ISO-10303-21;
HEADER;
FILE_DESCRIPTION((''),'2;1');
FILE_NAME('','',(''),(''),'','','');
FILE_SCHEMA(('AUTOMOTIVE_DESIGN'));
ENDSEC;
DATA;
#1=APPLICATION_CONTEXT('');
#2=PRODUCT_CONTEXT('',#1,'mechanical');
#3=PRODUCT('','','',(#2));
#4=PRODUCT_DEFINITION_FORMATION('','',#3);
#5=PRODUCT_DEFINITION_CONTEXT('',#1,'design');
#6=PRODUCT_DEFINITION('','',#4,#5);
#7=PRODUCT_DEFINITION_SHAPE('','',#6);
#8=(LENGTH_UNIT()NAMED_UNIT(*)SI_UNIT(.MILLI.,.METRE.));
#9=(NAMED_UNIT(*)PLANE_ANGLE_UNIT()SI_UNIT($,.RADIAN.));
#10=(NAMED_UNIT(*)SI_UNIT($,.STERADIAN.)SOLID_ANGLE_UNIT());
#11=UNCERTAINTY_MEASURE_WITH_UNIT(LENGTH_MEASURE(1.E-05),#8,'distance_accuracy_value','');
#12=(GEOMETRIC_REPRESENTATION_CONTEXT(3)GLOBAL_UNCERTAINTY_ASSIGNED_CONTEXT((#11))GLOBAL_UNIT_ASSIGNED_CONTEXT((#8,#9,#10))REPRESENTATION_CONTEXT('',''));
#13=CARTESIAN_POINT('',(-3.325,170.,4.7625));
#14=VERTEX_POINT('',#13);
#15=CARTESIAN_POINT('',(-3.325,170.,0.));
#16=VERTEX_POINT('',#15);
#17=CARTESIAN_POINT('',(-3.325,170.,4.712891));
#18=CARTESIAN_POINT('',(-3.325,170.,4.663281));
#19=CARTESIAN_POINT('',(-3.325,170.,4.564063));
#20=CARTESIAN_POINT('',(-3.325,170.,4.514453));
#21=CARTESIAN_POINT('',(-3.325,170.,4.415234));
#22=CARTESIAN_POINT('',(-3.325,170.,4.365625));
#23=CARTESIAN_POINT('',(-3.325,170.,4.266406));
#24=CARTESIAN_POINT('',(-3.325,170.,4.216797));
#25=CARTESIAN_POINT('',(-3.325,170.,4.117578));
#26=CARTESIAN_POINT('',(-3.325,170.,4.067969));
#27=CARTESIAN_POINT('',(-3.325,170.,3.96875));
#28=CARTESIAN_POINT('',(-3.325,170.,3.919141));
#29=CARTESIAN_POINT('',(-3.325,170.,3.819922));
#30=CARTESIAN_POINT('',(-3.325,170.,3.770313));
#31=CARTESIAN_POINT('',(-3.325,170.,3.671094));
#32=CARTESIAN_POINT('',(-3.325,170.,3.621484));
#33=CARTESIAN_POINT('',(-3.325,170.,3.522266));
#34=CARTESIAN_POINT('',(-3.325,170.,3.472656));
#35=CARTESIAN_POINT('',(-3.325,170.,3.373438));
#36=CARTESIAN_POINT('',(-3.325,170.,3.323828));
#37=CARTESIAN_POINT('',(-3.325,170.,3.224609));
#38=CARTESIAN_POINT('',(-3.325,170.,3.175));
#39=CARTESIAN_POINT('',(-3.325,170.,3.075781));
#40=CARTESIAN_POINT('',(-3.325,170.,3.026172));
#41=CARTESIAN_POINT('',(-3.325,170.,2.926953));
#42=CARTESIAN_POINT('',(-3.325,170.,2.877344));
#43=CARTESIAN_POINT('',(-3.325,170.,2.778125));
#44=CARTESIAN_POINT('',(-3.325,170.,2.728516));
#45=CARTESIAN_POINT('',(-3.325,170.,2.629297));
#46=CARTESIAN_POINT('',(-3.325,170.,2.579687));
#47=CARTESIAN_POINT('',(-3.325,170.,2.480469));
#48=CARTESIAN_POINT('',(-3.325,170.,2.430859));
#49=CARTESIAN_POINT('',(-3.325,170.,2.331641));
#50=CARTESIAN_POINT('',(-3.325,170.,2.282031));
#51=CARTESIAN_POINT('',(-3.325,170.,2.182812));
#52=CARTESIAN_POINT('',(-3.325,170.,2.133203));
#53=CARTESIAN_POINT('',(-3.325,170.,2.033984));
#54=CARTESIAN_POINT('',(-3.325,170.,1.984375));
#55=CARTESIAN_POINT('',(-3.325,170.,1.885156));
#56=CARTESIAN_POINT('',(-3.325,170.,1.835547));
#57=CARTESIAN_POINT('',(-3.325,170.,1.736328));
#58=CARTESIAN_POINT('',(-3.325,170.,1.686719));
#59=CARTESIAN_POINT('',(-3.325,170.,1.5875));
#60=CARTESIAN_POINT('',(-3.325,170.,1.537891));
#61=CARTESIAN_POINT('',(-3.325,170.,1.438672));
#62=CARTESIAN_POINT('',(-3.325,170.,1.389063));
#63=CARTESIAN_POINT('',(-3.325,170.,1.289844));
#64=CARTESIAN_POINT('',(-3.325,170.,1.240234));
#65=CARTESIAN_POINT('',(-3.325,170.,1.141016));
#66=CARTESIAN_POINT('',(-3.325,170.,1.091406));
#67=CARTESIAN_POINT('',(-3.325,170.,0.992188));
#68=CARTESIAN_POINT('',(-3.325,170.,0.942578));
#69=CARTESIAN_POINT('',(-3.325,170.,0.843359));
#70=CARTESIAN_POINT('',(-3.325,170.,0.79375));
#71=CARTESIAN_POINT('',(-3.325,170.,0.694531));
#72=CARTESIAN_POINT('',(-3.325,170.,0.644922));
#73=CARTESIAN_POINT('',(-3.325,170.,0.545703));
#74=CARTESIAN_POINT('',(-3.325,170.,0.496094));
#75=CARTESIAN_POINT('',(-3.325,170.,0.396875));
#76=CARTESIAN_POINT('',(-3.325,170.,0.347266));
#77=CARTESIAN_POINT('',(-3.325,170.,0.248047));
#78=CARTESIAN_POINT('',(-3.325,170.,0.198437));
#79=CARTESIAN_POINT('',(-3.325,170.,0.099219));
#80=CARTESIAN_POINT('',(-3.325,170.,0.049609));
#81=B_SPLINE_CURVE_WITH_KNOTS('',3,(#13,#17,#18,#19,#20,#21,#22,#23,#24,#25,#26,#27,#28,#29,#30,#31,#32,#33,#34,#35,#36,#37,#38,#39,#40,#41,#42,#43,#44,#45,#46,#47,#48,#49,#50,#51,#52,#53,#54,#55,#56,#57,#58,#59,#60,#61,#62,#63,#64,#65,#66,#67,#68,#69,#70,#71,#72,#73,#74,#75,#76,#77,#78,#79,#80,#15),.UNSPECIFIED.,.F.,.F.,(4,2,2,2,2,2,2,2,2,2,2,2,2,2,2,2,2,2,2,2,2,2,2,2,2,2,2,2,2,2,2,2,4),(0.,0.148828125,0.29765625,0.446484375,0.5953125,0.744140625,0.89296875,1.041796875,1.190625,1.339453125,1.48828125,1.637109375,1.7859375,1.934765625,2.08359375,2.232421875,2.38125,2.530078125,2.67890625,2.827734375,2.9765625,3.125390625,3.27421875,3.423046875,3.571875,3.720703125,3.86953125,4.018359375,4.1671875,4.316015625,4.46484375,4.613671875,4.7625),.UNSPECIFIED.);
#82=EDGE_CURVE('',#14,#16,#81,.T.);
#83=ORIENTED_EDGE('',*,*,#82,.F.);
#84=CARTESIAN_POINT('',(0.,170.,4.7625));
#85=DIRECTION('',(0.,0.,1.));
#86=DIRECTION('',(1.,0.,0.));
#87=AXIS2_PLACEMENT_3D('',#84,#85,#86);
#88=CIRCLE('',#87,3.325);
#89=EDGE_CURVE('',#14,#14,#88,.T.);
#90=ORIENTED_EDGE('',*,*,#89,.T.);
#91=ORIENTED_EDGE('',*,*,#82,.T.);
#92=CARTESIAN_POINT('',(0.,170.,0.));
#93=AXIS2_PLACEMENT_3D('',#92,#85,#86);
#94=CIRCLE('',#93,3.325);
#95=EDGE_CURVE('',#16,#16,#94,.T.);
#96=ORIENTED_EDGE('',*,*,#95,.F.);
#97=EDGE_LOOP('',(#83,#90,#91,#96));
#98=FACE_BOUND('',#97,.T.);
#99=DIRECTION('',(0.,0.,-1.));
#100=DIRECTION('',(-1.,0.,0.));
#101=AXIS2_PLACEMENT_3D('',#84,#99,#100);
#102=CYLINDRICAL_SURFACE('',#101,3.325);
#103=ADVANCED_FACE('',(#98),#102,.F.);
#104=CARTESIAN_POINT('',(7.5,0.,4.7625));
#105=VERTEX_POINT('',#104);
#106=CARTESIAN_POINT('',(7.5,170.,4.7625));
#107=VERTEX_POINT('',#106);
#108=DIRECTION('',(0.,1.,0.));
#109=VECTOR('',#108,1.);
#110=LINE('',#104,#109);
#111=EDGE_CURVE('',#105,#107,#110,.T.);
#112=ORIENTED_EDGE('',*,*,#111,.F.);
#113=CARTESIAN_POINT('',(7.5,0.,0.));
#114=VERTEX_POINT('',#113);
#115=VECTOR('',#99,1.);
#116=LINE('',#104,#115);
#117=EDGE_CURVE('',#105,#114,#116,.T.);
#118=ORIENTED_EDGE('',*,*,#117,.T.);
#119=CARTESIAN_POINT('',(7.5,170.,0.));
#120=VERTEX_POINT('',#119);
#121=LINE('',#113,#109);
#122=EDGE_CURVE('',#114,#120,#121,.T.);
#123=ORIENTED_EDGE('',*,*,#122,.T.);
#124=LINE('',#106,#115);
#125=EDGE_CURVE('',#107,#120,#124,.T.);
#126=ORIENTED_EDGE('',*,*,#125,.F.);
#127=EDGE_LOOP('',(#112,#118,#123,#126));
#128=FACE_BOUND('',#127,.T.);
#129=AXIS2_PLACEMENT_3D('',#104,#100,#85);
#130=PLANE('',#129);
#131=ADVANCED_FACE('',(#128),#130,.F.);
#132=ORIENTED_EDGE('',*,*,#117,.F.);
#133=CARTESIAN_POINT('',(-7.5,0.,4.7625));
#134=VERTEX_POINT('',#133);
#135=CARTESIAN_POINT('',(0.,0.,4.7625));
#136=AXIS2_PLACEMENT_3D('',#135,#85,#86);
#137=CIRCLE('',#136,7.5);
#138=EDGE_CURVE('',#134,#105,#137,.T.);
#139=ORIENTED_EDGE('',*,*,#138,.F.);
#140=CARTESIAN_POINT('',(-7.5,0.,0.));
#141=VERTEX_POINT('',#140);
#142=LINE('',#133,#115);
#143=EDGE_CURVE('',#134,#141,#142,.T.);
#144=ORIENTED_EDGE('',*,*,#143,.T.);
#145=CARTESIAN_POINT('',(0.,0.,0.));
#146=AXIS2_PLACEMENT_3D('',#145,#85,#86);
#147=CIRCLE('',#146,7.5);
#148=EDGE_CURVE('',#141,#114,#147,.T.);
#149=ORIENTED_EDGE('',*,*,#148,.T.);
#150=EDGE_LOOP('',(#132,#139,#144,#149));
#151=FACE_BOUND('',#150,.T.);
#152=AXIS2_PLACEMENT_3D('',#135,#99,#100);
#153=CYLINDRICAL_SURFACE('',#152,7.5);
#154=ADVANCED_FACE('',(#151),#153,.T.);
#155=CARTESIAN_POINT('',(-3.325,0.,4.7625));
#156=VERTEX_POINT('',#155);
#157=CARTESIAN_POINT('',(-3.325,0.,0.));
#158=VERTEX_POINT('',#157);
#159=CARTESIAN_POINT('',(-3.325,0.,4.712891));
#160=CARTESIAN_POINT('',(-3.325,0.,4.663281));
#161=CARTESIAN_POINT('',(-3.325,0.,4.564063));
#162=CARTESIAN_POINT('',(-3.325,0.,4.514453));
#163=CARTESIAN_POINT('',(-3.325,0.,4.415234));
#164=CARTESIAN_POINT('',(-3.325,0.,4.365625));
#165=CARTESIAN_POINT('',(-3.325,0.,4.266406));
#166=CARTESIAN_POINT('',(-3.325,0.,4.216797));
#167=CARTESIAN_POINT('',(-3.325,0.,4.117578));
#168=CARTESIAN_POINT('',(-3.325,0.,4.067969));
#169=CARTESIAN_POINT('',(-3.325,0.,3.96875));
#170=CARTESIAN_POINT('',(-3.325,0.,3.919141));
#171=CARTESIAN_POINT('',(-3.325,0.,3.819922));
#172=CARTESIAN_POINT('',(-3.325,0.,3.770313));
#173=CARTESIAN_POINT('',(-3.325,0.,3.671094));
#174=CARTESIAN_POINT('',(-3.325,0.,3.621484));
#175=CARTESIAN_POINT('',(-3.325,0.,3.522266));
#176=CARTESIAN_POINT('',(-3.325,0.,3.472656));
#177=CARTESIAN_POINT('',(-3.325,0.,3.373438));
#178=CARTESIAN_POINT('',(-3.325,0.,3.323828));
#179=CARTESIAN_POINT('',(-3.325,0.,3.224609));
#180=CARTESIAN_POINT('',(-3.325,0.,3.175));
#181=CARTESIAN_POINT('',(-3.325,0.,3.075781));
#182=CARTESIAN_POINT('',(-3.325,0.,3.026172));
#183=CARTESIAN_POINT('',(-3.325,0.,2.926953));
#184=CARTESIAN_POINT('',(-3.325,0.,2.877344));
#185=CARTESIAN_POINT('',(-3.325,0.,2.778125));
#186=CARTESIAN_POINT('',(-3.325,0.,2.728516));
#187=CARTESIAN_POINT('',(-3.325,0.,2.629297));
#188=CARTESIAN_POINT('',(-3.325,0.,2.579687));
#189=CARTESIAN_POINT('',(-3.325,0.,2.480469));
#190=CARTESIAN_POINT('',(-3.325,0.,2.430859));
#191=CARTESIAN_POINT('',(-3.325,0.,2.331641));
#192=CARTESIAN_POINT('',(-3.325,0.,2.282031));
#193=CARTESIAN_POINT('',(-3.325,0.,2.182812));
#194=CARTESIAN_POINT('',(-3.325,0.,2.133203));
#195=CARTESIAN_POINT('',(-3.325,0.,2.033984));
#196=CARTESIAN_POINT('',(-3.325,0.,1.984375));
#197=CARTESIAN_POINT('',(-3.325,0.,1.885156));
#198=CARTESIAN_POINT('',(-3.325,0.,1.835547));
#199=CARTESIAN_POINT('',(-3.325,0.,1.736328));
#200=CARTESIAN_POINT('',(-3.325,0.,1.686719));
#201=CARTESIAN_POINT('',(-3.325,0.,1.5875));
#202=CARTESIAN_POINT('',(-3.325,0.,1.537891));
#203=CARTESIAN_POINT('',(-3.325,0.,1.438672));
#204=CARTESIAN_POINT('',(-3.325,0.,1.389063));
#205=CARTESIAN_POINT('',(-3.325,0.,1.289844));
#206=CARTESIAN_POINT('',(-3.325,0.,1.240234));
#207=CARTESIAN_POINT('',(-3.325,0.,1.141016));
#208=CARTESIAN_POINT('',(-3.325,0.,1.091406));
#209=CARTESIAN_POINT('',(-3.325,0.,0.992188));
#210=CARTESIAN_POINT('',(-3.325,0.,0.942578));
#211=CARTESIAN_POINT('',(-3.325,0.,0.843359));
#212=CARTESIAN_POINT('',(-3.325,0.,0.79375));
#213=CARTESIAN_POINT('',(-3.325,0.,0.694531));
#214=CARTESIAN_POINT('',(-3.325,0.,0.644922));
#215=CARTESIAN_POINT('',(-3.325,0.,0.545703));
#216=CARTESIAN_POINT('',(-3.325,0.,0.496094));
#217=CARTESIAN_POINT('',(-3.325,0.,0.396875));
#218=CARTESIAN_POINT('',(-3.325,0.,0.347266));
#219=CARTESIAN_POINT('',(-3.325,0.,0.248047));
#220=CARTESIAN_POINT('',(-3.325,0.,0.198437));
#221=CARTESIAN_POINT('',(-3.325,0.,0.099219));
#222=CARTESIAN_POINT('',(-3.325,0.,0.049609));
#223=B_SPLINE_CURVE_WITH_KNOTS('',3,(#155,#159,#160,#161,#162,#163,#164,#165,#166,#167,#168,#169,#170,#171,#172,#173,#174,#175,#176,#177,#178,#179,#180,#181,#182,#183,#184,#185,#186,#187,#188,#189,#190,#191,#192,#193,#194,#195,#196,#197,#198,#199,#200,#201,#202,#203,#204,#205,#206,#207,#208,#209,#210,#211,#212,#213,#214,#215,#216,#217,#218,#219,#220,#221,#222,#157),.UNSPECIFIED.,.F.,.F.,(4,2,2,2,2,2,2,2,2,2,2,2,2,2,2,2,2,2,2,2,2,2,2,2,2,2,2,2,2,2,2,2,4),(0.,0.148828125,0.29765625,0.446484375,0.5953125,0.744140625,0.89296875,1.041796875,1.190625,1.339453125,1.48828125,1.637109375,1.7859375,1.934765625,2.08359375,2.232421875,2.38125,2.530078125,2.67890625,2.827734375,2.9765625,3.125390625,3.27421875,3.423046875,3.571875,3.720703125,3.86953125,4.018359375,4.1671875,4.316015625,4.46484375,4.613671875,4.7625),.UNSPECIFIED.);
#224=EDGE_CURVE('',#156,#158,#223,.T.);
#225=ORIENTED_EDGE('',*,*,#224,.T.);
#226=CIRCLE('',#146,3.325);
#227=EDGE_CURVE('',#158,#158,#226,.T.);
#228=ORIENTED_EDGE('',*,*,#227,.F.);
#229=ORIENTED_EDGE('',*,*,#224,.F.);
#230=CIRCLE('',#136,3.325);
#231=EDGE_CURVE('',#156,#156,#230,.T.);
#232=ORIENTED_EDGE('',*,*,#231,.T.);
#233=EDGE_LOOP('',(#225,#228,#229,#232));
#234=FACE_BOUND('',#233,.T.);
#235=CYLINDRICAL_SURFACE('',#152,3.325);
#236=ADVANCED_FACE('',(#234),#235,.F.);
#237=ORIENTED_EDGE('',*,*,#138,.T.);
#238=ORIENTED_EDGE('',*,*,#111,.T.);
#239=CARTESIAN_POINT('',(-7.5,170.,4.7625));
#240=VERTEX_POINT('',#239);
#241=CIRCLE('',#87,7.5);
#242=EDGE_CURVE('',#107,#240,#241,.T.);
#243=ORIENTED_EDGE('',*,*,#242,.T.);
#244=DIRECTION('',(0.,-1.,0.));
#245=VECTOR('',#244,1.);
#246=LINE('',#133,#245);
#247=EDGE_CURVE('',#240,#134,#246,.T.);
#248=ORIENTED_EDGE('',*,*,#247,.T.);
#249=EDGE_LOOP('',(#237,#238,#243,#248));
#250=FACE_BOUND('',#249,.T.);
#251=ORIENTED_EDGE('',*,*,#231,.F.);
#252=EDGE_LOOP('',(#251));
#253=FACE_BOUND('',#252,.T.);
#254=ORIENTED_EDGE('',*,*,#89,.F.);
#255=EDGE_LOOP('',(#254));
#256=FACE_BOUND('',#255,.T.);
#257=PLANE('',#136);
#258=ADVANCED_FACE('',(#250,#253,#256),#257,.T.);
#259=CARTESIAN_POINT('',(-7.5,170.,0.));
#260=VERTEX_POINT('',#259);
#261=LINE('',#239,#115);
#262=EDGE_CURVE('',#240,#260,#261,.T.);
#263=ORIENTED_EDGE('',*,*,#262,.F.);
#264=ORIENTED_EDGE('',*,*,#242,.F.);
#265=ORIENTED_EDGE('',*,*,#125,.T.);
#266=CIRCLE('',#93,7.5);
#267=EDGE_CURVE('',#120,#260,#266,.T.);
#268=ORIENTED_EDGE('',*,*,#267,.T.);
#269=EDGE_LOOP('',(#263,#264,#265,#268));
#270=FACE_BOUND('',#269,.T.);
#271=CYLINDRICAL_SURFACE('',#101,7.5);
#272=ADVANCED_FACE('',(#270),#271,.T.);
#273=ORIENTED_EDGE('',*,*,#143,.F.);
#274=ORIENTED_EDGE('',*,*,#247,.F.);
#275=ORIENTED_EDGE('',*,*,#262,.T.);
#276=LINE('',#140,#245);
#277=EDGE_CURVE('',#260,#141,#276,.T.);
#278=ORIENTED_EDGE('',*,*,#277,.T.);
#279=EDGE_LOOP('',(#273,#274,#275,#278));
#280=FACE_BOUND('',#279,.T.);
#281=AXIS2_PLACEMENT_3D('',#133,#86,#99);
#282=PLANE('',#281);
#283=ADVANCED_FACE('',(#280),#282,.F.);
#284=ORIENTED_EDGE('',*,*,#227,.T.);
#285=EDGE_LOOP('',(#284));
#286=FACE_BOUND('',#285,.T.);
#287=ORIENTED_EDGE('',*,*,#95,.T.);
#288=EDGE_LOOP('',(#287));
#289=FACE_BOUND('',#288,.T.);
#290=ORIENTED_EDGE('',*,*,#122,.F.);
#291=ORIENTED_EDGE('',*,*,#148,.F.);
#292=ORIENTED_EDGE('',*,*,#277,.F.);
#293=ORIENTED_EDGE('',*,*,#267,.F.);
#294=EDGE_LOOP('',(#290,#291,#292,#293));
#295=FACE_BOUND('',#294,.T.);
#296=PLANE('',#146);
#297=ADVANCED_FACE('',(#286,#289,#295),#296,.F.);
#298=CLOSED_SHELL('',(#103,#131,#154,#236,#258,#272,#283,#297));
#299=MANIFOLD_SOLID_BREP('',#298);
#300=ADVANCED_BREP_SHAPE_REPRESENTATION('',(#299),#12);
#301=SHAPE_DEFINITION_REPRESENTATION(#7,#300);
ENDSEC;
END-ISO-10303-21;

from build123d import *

# Parameters (mm, degrees)
ESBO_O1_R                = 3.325
RESSALTO_EXTRUS_O1_DEPTH = 4.7625


with BuildPart() as part:
    # Esboço1 → Ressalto-extrusão1 (new body)
    with BuildSketch(Plane.XY):
        with BuildLine():
            Line((-7.5, 0), (-7.5, 170))
            ThreePointArc((-7.5, 170), (0, 177.5), (7.5, 170))
            Line((7.5, 170), (7.5, 0))
            ThreePointArc((7.5, 0), (0, -7.5), (-7.5, 0))
        make_face()
        with Locations(Location((0, 170, 0), (0, 0, 180))):
            Circle(ESBO_O1_R, mode=Mode.SUBTRACT)
        with Locations(Location((0, 0, 0), (0, 0, 180))):
            Circle(ESBO_O1_R, mode=Mode.SUBTRACT)
    extrude(amount=RESSALTO_EXTRUS_O1_DEPTH)


solid = part.part
